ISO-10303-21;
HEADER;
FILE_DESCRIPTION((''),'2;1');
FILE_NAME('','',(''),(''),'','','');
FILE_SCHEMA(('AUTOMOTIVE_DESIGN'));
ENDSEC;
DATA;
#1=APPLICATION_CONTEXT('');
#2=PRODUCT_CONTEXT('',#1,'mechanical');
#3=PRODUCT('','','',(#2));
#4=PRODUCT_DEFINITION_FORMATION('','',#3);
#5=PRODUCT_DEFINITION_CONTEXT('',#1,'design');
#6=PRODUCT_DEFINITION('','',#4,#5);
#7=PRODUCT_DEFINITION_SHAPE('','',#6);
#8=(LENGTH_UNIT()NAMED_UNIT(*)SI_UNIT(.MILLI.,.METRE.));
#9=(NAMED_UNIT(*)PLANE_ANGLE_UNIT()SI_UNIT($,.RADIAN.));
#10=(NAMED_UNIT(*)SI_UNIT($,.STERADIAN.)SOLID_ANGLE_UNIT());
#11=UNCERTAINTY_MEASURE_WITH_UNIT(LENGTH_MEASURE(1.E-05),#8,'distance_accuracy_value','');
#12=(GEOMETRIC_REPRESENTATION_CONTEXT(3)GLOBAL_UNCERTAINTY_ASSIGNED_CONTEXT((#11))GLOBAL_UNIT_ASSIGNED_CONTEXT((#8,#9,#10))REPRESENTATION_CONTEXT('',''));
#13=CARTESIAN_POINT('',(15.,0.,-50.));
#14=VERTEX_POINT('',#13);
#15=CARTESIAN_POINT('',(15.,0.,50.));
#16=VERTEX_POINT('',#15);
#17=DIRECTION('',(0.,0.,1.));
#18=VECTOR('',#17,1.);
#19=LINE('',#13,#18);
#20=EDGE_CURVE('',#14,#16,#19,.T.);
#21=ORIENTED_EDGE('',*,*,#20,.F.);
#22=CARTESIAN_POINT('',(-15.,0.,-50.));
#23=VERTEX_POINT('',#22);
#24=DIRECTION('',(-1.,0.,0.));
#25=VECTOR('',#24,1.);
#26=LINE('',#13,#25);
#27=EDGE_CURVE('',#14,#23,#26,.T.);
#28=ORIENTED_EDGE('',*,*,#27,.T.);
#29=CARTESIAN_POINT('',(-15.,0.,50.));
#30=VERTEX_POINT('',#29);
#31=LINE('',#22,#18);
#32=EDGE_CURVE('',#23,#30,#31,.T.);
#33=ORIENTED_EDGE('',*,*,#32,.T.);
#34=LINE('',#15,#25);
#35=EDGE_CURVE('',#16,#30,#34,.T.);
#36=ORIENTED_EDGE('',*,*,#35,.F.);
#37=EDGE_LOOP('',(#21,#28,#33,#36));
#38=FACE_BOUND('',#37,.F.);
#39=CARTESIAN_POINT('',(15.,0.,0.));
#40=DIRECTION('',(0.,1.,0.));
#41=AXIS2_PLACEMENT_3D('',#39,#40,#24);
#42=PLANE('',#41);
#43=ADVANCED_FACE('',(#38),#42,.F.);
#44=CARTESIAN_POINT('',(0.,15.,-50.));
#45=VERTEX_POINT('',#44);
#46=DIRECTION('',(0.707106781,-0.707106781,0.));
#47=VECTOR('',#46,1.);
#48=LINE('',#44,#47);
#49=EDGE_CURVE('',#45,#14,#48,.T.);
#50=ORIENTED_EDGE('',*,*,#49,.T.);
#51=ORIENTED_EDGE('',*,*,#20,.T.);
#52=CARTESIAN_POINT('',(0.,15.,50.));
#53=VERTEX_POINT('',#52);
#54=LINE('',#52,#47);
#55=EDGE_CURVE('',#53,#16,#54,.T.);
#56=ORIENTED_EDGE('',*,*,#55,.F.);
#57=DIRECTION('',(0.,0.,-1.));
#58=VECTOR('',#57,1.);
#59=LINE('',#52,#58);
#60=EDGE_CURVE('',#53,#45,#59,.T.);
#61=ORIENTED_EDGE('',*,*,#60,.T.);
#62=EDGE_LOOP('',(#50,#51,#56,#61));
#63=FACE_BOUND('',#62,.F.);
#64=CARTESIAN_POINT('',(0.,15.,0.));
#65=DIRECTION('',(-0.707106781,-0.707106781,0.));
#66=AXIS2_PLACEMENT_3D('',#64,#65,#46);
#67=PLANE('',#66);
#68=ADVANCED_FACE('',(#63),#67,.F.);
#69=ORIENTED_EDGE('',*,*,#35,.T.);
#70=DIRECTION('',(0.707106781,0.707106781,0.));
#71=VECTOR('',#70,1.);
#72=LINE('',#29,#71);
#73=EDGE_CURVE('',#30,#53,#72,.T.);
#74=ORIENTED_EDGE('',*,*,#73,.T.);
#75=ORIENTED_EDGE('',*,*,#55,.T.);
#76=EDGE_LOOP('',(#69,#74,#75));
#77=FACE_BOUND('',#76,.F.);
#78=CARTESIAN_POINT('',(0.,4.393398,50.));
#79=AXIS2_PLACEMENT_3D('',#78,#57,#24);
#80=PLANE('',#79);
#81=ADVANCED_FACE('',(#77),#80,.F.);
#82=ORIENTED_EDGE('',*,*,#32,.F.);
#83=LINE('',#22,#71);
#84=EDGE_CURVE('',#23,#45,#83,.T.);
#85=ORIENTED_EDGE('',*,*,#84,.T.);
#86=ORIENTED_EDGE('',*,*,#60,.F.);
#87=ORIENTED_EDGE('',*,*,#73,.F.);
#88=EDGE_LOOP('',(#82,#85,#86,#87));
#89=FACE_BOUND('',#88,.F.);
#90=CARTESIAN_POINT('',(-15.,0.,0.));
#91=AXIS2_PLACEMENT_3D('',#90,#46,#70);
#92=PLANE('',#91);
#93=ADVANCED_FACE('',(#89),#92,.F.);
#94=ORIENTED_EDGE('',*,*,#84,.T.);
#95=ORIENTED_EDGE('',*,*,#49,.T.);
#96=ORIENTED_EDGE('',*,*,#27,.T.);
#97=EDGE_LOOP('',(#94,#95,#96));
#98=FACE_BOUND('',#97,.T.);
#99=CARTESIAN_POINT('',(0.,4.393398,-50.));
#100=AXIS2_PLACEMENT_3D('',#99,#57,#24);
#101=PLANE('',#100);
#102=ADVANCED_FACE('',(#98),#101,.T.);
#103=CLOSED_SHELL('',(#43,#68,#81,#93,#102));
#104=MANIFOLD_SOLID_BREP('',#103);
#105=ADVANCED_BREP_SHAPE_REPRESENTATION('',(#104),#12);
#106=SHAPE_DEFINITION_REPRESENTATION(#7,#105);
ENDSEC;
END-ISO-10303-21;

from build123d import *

# Parameters (mm, degrees)
EXTRUDE_DEPTH = 50


with BuildPart() as part:
    # Sketch → Extrude (new body, symmetric)
    with BuildSketch(Plane.XY):
        Polygon((-15, 0), (0, 15), (15, 0), align=None)
    extrude(amount=EXTRUDE_DEPTH, both=True)


solid = part.part
